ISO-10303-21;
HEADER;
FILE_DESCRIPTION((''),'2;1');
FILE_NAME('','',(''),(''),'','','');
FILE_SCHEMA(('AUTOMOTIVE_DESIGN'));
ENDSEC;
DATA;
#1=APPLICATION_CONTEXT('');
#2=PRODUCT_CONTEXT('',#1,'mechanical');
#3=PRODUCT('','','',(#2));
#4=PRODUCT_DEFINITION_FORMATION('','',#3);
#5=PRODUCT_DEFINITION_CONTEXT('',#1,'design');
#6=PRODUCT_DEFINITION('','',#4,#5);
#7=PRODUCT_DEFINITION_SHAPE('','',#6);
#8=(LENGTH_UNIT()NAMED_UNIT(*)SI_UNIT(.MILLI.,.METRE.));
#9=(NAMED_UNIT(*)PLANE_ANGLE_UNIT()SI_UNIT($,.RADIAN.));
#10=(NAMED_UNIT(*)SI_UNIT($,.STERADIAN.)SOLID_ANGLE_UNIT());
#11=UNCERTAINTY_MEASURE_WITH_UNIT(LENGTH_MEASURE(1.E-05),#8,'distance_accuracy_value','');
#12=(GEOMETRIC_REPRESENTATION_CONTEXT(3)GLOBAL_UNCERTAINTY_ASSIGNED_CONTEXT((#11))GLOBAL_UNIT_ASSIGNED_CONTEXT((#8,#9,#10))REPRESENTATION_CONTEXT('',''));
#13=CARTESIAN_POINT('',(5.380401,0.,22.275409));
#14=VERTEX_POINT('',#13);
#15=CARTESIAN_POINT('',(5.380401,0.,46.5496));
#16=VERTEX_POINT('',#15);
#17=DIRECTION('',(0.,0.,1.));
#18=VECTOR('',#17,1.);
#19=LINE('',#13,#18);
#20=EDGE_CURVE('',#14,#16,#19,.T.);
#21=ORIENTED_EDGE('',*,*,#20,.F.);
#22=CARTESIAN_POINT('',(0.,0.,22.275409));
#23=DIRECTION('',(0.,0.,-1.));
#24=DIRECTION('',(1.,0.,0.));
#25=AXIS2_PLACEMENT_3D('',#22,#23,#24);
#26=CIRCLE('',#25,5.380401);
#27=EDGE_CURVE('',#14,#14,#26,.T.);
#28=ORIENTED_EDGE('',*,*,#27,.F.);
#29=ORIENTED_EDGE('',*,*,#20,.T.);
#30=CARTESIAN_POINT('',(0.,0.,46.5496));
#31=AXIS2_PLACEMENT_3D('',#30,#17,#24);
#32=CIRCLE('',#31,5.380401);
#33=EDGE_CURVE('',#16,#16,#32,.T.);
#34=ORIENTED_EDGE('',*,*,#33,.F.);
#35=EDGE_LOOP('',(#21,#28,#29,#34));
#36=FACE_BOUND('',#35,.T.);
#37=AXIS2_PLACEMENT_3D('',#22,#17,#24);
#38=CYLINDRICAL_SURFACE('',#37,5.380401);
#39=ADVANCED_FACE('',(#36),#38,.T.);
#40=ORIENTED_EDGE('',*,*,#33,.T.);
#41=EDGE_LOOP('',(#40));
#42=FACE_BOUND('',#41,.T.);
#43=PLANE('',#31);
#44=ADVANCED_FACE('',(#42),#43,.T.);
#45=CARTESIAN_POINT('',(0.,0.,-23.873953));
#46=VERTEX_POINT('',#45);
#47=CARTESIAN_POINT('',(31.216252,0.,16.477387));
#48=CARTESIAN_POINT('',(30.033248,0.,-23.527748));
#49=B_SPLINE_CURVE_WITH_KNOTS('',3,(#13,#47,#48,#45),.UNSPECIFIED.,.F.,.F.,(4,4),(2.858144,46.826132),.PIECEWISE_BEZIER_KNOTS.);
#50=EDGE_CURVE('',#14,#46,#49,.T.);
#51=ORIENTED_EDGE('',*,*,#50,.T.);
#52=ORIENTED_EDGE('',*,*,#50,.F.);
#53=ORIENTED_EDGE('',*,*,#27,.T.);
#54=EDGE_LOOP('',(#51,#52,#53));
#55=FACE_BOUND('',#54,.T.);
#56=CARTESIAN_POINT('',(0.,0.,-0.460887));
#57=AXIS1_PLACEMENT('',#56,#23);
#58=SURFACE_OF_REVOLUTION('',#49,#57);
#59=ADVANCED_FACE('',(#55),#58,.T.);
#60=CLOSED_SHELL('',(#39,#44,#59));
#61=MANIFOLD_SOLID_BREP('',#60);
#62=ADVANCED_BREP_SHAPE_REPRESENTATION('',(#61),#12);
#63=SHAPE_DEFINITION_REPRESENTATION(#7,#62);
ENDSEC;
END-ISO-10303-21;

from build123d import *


with BuildPart() as f1:
    # F0 (on Front) → F1 (revolve)
    with BuildSketch(Plane.XZ):
        with BuildLine():
            add(Edge.make_bspline(
                [(0, 22.952178), (1.907304, 22.884663), (3.700939, 22.65231), (5.380401, 22.275409)],
                knots=[0, 0, 0, 0, 2.858144, 2.858144, 2.858144, 2.858144], degree=3))
            Line((0, 22.952178), (0, -23.873953))
            add(Edge.make_bspline(
                [(5.380401, 22.275409), (31.216252, 16.477387), (30.033248, -23.527748), (0, -23.873953)],
                knots=[2.858144, 2.858144, 2.858144, 2.858144, 46.826132, 46.826132, 46.826132, 46.826132], degree=3))
        make_face()
    revolve(axis=Axis((0, 0, -0.460887), (0, 0, -1)))

    # F0 (on Front) → F2 (revolve)
    with BuildSketch(Plane.XZ):
        with BuildLine():
            Line((0, 46.5496), (0, 22.952178))
            add(Edge.make_bspline(
                [(0, 22.952178), (1.907304, 22.884663), (3.700939, 22.65231), (5.380401, 22.275409)],
                knots=[0, 0, 0, 0, 2.858144, 2.858144, 2.858144, 2.858144], degree=3))
            Line((5.380401, 22.275409), (5.380401, 46.5496))
            Line((5.380401, 46.5496), (0, 46.5496))
        make_face()
    revolve(axis=Axis((0, 0, 34.750889), (0, 0, 1)))


solid = f1.part
